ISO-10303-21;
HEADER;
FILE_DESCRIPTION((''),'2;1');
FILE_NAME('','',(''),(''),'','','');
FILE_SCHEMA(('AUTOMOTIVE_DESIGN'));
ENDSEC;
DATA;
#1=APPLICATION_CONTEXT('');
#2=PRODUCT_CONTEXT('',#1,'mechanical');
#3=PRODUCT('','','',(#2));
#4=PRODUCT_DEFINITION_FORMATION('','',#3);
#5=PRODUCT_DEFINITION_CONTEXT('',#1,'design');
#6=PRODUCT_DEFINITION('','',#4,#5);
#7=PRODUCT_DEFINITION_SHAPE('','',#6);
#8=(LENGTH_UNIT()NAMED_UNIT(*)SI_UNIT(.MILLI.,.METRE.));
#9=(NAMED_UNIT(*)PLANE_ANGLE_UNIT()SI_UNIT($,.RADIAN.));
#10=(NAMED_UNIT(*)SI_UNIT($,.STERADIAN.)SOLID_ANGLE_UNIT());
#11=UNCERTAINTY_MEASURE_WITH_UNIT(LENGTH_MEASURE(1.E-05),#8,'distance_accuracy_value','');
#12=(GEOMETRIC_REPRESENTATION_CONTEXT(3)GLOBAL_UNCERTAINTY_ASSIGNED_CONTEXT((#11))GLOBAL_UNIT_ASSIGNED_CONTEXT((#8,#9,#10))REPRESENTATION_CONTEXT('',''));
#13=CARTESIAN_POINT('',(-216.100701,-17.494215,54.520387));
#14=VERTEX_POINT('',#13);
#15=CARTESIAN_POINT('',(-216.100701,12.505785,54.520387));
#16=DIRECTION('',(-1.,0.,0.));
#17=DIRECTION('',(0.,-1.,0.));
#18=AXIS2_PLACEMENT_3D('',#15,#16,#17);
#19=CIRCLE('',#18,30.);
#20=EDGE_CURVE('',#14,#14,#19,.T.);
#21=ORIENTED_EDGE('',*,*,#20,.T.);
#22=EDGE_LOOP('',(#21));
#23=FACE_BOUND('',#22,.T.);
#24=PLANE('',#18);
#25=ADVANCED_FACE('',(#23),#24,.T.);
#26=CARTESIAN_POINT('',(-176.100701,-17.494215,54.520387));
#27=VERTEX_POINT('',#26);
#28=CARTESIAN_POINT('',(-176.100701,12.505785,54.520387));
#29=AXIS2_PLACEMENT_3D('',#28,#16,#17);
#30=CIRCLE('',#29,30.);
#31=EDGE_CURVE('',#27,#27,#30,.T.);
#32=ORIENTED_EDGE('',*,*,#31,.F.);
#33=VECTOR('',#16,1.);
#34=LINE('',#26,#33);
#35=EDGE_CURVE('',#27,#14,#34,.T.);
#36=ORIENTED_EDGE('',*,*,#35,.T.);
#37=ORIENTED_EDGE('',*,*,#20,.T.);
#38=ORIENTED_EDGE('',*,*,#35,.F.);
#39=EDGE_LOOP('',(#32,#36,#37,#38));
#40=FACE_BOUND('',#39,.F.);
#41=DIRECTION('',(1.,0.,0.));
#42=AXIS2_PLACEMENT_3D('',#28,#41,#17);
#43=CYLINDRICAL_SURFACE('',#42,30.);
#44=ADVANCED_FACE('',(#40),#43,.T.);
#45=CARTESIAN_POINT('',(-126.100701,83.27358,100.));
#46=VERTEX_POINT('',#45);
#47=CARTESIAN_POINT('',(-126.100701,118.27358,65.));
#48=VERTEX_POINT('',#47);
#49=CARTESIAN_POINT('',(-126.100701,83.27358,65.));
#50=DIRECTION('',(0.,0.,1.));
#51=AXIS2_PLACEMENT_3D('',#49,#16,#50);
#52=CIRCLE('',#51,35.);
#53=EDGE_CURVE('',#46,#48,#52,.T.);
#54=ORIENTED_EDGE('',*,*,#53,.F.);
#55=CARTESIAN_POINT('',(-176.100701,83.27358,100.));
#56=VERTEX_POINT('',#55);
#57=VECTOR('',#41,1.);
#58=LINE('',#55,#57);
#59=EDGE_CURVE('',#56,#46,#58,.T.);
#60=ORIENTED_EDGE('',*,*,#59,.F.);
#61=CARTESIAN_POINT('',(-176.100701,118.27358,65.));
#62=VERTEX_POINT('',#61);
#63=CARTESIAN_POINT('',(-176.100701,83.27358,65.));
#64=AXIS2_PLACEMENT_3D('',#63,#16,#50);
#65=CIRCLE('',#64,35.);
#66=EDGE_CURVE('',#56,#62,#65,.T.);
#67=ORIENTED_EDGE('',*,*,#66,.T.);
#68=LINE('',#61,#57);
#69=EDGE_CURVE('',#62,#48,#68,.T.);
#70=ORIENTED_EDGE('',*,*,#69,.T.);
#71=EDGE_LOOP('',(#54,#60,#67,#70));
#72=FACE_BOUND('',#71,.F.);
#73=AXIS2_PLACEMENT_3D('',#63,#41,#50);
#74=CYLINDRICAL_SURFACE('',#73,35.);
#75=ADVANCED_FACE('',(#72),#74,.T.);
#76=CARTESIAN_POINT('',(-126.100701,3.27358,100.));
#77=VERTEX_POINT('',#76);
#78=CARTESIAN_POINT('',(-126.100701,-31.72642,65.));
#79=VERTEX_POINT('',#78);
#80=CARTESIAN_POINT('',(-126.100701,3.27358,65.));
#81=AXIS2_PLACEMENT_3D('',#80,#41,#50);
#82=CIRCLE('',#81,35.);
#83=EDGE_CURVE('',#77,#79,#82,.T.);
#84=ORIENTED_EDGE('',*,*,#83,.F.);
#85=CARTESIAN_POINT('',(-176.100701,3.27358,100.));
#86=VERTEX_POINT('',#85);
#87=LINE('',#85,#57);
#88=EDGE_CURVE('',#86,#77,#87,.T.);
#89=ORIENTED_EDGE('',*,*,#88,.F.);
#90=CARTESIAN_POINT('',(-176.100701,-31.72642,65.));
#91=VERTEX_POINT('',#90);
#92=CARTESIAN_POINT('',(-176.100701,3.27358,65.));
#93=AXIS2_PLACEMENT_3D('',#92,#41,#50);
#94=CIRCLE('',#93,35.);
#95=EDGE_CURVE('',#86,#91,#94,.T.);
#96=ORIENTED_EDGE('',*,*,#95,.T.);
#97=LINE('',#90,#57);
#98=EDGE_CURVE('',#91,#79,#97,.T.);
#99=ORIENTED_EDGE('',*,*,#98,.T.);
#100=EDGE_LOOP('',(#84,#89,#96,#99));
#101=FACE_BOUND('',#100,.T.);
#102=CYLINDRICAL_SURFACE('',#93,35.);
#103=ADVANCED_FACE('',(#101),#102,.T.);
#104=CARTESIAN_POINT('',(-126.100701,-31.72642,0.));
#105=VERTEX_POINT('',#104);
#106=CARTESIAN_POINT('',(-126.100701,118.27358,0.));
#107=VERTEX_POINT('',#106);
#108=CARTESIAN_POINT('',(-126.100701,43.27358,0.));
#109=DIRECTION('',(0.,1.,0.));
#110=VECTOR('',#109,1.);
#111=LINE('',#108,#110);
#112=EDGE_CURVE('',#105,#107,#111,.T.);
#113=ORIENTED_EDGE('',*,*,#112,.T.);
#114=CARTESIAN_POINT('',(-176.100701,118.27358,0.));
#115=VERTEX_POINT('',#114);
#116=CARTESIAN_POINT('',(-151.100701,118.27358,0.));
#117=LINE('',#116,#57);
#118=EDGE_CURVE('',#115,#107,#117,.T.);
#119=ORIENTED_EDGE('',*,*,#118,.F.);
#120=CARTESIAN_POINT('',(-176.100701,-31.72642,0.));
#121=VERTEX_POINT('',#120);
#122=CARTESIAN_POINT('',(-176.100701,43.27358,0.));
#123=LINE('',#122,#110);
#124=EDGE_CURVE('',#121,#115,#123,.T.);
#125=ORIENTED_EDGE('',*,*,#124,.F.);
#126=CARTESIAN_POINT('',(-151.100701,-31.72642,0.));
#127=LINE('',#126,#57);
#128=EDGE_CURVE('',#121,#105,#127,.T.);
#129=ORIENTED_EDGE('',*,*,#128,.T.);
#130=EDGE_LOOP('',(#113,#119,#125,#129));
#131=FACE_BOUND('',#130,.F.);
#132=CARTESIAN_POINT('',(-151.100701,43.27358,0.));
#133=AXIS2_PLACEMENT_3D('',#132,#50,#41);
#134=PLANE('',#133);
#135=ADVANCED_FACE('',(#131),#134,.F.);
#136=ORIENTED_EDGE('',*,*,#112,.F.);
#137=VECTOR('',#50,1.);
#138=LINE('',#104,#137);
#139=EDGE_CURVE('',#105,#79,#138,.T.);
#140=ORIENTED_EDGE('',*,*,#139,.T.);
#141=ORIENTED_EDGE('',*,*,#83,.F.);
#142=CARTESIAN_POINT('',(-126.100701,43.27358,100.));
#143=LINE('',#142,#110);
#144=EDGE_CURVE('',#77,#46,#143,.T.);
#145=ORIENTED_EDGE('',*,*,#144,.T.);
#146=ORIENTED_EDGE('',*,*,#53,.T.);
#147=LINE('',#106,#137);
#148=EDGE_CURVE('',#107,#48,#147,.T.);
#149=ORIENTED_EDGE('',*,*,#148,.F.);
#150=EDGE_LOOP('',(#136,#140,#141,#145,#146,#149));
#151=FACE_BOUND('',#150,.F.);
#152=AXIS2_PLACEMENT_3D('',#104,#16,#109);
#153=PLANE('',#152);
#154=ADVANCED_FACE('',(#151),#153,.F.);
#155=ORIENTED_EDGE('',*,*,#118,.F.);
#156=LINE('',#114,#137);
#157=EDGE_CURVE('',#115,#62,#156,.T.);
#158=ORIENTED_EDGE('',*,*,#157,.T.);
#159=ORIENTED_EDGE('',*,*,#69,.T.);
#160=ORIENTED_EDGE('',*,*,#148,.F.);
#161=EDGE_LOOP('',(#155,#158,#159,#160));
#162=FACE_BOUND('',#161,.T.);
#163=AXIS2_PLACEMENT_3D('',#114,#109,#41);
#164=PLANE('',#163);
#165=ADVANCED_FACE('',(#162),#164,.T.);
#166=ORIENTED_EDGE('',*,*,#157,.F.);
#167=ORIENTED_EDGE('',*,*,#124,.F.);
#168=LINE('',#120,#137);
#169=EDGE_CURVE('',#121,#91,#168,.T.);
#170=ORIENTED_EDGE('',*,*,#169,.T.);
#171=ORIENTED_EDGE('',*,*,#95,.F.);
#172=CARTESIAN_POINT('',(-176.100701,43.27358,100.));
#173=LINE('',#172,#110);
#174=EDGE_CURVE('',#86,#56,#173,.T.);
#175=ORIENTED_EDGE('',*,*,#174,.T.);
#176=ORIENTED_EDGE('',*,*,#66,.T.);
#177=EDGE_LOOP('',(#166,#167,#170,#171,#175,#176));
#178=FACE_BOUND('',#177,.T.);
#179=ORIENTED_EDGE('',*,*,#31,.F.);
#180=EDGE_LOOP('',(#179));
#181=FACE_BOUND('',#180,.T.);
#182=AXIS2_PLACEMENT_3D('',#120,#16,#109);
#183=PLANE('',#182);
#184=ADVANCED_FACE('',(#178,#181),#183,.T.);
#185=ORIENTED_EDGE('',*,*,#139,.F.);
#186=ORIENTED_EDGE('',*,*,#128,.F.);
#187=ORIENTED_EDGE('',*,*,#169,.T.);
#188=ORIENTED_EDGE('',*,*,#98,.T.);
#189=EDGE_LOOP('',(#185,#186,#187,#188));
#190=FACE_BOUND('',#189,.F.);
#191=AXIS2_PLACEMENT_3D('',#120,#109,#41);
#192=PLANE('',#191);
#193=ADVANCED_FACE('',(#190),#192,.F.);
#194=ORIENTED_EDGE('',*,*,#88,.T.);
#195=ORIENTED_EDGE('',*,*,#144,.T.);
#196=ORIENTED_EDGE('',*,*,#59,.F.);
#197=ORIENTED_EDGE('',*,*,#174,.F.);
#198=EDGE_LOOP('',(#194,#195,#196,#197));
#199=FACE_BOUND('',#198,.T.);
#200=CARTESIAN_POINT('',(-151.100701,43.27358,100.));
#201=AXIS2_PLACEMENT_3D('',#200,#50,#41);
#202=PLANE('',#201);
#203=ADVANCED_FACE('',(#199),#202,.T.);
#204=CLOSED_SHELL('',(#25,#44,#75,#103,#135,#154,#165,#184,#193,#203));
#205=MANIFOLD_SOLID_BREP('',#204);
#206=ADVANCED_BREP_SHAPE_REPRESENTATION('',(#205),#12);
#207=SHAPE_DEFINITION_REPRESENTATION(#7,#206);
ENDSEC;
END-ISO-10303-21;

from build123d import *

# Parameters (mm, degrees)
F0_W     = 50
F0_H     = 150
F1_DEPTH = 100
F2_R     = 30
F3_DEPTH = 40
F4_R     = 35
F5_R     = 35


with BuildPart() as f1:
    # F0 (on Top) → F1 (new body)
    with BuildSketch(Plane.XY):
        with Locations((-151.100701, 43.27358)):
            Rectangle(F0_W, F0_H)
    extrude(amount=F1_DEPTH)

    # F2 (on face) → F3 (join)
    with BuildSketch(Plane(origin=(-176.100701, 0, 0), x_dir=(0, -1, 0), z_dir=(-1, 0, 0))):
        with Locations((-12.505785, 54.520387)):
            Circle(F2_R)
    extrude(amount=F3_DEPTH)

    # F4
    f4_edges = [f1.edges().sort_by_distance(p)[0] for p in [
        (-151.100701, 118.27358, 100),
    ]]
    fillet(f4_edges, radius=F4_R)

    # F5
    f5_edges = [f1.edges().sort_by_distance(p)[0] for p in [
        (-151.100701, -31.72642, 100),
    ]]
    fillet(f5_edges, radius=F5_R)


solid = f1.part
